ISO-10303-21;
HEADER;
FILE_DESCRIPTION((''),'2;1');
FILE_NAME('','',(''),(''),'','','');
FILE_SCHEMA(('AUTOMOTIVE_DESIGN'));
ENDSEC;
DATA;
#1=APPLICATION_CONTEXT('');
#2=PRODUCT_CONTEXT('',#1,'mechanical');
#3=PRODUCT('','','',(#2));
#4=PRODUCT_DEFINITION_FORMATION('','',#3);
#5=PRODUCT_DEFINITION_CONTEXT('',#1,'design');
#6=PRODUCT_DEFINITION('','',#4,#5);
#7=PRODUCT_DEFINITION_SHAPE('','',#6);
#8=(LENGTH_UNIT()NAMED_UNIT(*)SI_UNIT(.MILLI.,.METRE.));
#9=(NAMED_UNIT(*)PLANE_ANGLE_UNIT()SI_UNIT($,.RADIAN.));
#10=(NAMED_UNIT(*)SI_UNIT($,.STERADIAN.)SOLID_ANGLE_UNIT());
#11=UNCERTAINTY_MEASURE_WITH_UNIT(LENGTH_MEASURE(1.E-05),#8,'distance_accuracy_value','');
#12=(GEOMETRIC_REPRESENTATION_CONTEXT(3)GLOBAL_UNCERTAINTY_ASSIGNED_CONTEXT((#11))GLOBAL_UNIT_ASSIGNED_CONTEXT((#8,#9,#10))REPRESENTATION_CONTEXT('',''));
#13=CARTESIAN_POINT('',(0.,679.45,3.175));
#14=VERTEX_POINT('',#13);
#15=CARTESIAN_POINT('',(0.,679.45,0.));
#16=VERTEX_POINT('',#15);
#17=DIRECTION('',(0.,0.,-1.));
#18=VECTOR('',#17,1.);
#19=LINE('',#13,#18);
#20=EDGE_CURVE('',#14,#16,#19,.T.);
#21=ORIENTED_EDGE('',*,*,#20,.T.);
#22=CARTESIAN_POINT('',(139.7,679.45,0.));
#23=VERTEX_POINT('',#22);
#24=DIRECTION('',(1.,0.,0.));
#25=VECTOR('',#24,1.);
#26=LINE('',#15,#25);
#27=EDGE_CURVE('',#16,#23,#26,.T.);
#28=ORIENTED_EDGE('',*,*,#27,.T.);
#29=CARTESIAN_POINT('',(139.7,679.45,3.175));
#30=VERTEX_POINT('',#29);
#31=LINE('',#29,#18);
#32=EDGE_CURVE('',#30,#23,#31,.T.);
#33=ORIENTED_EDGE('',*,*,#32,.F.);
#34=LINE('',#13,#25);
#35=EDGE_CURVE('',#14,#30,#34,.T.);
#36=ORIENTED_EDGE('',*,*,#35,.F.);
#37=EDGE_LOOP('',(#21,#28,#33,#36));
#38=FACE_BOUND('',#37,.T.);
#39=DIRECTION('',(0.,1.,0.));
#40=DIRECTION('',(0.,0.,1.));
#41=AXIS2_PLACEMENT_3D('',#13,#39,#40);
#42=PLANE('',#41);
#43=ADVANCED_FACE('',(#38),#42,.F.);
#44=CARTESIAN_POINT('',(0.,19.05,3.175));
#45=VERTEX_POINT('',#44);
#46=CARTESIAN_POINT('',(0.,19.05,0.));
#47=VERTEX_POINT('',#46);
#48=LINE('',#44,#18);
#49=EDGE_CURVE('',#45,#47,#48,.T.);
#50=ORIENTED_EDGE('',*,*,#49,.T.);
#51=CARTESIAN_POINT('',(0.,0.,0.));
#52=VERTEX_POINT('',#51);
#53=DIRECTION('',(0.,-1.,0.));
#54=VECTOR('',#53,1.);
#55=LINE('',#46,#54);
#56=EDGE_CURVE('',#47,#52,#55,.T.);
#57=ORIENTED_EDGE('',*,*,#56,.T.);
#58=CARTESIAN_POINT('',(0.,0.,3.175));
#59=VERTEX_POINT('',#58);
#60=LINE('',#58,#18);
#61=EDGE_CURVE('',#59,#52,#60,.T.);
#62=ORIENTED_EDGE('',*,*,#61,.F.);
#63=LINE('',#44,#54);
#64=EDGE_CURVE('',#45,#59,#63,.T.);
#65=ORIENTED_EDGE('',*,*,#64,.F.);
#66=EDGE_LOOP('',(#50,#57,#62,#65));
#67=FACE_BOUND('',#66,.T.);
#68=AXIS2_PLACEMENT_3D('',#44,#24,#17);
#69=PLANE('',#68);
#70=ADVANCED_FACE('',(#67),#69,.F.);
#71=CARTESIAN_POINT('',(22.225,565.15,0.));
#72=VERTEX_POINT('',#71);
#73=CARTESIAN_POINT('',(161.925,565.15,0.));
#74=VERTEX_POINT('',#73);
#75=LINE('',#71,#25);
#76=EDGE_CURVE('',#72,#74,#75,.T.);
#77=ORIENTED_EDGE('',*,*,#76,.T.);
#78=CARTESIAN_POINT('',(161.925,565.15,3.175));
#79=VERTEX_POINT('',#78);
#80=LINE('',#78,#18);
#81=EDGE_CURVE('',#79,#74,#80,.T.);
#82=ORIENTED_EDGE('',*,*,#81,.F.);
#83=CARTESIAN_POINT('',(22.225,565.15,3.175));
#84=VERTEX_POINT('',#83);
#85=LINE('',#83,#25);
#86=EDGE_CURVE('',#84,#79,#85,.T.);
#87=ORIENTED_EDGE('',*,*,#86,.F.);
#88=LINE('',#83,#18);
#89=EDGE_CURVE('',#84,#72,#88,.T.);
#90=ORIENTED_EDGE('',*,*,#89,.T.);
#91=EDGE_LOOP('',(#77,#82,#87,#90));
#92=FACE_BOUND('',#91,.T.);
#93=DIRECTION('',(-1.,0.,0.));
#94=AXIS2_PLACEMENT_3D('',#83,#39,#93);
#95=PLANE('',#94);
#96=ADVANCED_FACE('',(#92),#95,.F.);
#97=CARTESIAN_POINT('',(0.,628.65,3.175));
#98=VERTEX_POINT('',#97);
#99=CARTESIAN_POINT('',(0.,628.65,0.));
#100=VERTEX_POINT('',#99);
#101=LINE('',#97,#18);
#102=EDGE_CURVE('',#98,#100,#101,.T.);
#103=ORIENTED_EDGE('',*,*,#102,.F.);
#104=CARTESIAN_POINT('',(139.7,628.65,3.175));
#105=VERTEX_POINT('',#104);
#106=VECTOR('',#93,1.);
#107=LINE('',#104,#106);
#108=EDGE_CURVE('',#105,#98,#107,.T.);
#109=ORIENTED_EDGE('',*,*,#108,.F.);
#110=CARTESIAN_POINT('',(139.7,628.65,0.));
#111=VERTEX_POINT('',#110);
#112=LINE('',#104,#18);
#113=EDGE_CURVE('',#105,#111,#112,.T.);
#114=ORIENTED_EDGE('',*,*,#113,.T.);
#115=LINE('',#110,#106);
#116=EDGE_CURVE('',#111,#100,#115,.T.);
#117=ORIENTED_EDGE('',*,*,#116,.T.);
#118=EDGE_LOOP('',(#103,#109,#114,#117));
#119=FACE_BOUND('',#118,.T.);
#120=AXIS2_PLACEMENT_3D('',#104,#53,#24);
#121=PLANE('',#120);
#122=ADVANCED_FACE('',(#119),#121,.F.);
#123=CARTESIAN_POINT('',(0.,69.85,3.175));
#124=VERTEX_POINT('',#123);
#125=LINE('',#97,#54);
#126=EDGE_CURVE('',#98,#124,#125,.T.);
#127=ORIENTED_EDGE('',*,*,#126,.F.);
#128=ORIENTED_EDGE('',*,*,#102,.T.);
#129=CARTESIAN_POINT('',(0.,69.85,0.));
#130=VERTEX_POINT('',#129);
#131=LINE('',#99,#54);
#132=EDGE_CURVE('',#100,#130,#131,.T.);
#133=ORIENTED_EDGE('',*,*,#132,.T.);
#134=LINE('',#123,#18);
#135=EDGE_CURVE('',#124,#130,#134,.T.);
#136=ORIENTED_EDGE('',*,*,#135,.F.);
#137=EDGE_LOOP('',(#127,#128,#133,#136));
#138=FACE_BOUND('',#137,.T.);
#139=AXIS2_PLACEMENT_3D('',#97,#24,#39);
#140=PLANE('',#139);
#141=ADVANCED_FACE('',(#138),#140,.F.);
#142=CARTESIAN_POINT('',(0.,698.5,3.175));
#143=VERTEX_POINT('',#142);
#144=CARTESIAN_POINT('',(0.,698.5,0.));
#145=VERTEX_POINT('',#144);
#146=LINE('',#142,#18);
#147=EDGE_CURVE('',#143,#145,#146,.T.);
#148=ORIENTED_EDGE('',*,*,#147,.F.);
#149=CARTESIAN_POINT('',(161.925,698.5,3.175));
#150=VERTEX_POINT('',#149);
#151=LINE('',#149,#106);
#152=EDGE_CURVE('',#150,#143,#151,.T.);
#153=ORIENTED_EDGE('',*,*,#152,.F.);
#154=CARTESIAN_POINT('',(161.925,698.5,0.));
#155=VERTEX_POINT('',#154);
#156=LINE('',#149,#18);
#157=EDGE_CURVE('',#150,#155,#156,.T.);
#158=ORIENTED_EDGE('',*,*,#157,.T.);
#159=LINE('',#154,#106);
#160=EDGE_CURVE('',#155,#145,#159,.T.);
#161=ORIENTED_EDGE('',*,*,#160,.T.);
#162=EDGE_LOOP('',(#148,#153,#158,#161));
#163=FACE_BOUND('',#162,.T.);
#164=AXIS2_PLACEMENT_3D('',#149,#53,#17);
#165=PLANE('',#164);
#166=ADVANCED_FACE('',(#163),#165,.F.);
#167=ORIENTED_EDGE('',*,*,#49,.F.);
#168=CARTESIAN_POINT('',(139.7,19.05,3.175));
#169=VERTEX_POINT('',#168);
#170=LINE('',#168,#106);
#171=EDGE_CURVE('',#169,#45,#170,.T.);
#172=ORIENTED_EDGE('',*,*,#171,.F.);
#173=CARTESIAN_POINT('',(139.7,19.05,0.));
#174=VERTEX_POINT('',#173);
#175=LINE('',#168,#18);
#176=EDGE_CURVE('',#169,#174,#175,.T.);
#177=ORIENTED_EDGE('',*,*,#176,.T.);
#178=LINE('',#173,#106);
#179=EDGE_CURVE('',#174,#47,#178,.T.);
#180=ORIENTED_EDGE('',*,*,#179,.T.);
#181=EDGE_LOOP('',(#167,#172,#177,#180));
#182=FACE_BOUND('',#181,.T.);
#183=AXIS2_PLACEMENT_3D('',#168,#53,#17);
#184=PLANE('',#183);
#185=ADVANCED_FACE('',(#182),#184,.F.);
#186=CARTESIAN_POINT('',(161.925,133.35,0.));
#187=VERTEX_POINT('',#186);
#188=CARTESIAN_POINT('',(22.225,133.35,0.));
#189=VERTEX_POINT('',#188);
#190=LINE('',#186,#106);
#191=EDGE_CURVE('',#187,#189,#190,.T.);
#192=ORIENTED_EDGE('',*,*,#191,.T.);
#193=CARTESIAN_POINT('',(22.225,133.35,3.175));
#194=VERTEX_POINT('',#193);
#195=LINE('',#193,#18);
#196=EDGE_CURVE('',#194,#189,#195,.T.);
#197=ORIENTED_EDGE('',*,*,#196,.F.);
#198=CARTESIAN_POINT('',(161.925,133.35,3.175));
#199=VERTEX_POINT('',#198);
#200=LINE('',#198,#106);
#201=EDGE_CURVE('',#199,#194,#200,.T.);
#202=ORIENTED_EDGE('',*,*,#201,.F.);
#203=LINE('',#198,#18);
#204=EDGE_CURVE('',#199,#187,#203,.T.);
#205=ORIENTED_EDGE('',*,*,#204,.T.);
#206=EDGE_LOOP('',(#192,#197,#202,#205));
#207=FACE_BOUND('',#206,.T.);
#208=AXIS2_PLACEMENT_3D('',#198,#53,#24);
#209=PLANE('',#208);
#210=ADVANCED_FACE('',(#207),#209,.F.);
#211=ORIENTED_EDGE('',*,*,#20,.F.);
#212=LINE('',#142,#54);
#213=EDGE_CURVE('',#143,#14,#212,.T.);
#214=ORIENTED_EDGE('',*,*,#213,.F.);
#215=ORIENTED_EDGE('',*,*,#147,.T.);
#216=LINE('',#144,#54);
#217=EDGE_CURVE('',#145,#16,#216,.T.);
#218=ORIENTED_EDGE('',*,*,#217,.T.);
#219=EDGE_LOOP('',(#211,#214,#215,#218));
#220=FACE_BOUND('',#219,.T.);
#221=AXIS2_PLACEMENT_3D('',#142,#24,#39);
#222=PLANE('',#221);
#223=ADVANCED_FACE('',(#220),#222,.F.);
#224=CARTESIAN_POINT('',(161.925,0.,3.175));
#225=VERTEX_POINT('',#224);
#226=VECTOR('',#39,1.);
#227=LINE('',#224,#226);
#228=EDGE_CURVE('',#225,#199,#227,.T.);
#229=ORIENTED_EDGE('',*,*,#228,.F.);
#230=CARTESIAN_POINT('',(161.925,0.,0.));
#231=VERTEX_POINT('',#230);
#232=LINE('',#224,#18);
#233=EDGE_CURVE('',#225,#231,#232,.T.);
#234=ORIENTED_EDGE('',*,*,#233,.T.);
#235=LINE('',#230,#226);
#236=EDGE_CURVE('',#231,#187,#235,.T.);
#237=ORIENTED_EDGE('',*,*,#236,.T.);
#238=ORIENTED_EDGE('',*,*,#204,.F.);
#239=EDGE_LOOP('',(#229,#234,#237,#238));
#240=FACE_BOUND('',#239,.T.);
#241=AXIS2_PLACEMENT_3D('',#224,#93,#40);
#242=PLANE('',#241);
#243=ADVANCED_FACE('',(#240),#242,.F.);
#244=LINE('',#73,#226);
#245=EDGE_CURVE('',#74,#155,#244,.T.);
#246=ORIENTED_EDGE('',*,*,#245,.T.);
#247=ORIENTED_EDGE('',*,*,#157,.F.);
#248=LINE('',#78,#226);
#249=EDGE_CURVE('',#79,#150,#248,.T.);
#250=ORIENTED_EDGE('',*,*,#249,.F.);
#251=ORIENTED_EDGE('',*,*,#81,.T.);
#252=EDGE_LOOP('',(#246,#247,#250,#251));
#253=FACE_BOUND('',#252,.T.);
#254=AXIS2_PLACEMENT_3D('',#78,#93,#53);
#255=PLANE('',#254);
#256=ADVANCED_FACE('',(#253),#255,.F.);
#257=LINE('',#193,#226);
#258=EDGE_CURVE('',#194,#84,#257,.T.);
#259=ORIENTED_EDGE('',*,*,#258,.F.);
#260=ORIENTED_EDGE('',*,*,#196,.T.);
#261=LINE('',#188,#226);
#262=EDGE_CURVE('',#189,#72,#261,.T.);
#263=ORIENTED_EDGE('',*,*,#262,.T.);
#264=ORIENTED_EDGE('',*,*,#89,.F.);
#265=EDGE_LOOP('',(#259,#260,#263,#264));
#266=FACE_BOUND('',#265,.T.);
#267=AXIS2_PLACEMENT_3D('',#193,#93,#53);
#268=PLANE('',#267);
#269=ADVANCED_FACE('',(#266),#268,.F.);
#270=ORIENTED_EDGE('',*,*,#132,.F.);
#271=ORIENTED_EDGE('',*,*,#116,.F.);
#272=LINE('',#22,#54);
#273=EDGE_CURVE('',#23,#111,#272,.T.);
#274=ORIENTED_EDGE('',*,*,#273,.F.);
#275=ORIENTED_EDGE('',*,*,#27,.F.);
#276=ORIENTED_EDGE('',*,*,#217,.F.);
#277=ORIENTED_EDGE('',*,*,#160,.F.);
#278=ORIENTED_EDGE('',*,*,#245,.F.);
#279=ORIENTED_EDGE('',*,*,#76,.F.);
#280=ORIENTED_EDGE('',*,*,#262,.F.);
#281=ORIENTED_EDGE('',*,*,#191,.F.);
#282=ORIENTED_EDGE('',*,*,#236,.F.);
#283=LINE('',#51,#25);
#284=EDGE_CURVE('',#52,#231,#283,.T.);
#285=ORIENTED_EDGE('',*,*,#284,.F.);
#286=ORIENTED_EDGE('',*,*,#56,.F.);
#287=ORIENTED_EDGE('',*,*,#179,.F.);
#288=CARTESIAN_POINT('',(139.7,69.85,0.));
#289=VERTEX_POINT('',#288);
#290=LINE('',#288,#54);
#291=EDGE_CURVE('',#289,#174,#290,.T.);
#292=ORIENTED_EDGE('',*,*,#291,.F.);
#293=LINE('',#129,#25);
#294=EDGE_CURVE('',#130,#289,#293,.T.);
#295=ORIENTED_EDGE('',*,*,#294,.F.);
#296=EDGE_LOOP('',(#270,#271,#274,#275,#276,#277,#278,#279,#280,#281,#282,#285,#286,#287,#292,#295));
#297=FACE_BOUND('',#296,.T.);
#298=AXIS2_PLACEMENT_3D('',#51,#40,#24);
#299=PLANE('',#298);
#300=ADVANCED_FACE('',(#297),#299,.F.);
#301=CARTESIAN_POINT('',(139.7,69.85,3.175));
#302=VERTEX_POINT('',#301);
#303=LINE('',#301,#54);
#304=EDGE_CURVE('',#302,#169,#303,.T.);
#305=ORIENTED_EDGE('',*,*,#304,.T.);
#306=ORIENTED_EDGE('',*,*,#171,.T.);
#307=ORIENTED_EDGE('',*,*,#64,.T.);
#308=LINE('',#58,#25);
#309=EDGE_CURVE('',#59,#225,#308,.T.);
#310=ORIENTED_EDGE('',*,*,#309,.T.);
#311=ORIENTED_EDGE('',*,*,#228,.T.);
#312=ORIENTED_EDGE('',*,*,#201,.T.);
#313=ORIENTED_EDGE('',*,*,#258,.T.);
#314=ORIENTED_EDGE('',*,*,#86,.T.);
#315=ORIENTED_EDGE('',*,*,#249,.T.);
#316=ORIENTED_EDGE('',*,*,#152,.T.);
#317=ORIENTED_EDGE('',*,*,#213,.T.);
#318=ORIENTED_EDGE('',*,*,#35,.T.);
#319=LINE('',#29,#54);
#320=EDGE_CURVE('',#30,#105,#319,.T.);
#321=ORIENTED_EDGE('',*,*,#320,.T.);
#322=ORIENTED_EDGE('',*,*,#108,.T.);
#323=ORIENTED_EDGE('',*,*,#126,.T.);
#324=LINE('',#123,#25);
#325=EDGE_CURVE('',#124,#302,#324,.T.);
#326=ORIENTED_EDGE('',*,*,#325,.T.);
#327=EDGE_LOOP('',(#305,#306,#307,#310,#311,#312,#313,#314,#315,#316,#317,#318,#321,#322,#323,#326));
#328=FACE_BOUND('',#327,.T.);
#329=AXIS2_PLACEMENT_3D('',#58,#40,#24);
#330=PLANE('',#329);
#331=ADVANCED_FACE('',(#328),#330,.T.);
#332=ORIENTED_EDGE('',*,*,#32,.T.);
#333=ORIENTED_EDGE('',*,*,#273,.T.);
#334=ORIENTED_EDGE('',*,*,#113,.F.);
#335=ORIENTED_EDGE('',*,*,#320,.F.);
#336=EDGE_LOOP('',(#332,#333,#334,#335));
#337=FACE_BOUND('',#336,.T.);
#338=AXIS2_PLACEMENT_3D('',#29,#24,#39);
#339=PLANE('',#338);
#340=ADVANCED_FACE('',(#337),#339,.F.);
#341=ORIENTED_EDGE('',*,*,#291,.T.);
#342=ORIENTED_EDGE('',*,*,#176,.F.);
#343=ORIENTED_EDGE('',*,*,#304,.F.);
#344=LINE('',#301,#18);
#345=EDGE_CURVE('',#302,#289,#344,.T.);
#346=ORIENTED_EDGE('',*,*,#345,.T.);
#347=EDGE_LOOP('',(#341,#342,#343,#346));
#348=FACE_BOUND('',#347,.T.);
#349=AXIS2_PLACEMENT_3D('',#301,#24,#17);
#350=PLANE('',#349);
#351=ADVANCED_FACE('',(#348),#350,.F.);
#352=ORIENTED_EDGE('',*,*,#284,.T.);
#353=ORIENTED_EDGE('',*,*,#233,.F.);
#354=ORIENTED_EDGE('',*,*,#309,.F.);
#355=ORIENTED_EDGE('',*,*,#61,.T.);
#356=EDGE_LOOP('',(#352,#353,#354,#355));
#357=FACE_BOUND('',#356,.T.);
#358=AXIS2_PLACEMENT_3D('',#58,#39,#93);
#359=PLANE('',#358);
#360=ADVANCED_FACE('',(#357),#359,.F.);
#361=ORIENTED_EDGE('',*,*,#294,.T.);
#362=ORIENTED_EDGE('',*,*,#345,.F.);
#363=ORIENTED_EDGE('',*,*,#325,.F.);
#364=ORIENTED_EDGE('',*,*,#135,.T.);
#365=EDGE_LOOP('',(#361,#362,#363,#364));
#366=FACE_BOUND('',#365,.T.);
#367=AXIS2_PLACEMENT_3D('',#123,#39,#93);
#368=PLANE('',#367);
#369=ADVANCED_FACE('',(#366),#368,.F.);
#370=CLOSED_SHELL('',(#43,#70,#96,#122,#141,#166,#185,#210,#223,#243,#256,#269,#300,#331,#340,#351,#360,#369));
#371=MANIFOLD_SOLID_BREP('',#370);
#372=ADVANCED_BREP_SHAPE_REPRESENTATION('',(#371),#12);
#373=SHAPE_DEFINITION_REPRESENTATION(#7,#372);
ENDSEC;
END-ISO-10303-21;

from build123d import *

# Parameters (mm, degrees)
BOSS_EXTRUDE1_DEPTH = 3.175


with BuildPart() as part:
    # Sketch1 → Boss-Extrude1 (new body)
    with BuildSketch(Plane(origin=(0, 0, 0), x_dir=(0, 1, 0), z_dir=(0, 0, 1))):
        Polygon((0, 0), (0, -161.925), (133.35, -161.925), (133.35, -22.225), (565.15, -22.225), (565.15, -161.925), (698.5, -161.925), (698.5, 0), (679.45, 0), (679.45, -139.7), (628.65, -139.7), (628.65, 0), (69.85, 0), (69.85, -139.7), (19.05, -139.7), (19.05, 0), align=None)
    extrude(amount=BOSS_EXTRUDE1_DEPTH)


solid = part.part
